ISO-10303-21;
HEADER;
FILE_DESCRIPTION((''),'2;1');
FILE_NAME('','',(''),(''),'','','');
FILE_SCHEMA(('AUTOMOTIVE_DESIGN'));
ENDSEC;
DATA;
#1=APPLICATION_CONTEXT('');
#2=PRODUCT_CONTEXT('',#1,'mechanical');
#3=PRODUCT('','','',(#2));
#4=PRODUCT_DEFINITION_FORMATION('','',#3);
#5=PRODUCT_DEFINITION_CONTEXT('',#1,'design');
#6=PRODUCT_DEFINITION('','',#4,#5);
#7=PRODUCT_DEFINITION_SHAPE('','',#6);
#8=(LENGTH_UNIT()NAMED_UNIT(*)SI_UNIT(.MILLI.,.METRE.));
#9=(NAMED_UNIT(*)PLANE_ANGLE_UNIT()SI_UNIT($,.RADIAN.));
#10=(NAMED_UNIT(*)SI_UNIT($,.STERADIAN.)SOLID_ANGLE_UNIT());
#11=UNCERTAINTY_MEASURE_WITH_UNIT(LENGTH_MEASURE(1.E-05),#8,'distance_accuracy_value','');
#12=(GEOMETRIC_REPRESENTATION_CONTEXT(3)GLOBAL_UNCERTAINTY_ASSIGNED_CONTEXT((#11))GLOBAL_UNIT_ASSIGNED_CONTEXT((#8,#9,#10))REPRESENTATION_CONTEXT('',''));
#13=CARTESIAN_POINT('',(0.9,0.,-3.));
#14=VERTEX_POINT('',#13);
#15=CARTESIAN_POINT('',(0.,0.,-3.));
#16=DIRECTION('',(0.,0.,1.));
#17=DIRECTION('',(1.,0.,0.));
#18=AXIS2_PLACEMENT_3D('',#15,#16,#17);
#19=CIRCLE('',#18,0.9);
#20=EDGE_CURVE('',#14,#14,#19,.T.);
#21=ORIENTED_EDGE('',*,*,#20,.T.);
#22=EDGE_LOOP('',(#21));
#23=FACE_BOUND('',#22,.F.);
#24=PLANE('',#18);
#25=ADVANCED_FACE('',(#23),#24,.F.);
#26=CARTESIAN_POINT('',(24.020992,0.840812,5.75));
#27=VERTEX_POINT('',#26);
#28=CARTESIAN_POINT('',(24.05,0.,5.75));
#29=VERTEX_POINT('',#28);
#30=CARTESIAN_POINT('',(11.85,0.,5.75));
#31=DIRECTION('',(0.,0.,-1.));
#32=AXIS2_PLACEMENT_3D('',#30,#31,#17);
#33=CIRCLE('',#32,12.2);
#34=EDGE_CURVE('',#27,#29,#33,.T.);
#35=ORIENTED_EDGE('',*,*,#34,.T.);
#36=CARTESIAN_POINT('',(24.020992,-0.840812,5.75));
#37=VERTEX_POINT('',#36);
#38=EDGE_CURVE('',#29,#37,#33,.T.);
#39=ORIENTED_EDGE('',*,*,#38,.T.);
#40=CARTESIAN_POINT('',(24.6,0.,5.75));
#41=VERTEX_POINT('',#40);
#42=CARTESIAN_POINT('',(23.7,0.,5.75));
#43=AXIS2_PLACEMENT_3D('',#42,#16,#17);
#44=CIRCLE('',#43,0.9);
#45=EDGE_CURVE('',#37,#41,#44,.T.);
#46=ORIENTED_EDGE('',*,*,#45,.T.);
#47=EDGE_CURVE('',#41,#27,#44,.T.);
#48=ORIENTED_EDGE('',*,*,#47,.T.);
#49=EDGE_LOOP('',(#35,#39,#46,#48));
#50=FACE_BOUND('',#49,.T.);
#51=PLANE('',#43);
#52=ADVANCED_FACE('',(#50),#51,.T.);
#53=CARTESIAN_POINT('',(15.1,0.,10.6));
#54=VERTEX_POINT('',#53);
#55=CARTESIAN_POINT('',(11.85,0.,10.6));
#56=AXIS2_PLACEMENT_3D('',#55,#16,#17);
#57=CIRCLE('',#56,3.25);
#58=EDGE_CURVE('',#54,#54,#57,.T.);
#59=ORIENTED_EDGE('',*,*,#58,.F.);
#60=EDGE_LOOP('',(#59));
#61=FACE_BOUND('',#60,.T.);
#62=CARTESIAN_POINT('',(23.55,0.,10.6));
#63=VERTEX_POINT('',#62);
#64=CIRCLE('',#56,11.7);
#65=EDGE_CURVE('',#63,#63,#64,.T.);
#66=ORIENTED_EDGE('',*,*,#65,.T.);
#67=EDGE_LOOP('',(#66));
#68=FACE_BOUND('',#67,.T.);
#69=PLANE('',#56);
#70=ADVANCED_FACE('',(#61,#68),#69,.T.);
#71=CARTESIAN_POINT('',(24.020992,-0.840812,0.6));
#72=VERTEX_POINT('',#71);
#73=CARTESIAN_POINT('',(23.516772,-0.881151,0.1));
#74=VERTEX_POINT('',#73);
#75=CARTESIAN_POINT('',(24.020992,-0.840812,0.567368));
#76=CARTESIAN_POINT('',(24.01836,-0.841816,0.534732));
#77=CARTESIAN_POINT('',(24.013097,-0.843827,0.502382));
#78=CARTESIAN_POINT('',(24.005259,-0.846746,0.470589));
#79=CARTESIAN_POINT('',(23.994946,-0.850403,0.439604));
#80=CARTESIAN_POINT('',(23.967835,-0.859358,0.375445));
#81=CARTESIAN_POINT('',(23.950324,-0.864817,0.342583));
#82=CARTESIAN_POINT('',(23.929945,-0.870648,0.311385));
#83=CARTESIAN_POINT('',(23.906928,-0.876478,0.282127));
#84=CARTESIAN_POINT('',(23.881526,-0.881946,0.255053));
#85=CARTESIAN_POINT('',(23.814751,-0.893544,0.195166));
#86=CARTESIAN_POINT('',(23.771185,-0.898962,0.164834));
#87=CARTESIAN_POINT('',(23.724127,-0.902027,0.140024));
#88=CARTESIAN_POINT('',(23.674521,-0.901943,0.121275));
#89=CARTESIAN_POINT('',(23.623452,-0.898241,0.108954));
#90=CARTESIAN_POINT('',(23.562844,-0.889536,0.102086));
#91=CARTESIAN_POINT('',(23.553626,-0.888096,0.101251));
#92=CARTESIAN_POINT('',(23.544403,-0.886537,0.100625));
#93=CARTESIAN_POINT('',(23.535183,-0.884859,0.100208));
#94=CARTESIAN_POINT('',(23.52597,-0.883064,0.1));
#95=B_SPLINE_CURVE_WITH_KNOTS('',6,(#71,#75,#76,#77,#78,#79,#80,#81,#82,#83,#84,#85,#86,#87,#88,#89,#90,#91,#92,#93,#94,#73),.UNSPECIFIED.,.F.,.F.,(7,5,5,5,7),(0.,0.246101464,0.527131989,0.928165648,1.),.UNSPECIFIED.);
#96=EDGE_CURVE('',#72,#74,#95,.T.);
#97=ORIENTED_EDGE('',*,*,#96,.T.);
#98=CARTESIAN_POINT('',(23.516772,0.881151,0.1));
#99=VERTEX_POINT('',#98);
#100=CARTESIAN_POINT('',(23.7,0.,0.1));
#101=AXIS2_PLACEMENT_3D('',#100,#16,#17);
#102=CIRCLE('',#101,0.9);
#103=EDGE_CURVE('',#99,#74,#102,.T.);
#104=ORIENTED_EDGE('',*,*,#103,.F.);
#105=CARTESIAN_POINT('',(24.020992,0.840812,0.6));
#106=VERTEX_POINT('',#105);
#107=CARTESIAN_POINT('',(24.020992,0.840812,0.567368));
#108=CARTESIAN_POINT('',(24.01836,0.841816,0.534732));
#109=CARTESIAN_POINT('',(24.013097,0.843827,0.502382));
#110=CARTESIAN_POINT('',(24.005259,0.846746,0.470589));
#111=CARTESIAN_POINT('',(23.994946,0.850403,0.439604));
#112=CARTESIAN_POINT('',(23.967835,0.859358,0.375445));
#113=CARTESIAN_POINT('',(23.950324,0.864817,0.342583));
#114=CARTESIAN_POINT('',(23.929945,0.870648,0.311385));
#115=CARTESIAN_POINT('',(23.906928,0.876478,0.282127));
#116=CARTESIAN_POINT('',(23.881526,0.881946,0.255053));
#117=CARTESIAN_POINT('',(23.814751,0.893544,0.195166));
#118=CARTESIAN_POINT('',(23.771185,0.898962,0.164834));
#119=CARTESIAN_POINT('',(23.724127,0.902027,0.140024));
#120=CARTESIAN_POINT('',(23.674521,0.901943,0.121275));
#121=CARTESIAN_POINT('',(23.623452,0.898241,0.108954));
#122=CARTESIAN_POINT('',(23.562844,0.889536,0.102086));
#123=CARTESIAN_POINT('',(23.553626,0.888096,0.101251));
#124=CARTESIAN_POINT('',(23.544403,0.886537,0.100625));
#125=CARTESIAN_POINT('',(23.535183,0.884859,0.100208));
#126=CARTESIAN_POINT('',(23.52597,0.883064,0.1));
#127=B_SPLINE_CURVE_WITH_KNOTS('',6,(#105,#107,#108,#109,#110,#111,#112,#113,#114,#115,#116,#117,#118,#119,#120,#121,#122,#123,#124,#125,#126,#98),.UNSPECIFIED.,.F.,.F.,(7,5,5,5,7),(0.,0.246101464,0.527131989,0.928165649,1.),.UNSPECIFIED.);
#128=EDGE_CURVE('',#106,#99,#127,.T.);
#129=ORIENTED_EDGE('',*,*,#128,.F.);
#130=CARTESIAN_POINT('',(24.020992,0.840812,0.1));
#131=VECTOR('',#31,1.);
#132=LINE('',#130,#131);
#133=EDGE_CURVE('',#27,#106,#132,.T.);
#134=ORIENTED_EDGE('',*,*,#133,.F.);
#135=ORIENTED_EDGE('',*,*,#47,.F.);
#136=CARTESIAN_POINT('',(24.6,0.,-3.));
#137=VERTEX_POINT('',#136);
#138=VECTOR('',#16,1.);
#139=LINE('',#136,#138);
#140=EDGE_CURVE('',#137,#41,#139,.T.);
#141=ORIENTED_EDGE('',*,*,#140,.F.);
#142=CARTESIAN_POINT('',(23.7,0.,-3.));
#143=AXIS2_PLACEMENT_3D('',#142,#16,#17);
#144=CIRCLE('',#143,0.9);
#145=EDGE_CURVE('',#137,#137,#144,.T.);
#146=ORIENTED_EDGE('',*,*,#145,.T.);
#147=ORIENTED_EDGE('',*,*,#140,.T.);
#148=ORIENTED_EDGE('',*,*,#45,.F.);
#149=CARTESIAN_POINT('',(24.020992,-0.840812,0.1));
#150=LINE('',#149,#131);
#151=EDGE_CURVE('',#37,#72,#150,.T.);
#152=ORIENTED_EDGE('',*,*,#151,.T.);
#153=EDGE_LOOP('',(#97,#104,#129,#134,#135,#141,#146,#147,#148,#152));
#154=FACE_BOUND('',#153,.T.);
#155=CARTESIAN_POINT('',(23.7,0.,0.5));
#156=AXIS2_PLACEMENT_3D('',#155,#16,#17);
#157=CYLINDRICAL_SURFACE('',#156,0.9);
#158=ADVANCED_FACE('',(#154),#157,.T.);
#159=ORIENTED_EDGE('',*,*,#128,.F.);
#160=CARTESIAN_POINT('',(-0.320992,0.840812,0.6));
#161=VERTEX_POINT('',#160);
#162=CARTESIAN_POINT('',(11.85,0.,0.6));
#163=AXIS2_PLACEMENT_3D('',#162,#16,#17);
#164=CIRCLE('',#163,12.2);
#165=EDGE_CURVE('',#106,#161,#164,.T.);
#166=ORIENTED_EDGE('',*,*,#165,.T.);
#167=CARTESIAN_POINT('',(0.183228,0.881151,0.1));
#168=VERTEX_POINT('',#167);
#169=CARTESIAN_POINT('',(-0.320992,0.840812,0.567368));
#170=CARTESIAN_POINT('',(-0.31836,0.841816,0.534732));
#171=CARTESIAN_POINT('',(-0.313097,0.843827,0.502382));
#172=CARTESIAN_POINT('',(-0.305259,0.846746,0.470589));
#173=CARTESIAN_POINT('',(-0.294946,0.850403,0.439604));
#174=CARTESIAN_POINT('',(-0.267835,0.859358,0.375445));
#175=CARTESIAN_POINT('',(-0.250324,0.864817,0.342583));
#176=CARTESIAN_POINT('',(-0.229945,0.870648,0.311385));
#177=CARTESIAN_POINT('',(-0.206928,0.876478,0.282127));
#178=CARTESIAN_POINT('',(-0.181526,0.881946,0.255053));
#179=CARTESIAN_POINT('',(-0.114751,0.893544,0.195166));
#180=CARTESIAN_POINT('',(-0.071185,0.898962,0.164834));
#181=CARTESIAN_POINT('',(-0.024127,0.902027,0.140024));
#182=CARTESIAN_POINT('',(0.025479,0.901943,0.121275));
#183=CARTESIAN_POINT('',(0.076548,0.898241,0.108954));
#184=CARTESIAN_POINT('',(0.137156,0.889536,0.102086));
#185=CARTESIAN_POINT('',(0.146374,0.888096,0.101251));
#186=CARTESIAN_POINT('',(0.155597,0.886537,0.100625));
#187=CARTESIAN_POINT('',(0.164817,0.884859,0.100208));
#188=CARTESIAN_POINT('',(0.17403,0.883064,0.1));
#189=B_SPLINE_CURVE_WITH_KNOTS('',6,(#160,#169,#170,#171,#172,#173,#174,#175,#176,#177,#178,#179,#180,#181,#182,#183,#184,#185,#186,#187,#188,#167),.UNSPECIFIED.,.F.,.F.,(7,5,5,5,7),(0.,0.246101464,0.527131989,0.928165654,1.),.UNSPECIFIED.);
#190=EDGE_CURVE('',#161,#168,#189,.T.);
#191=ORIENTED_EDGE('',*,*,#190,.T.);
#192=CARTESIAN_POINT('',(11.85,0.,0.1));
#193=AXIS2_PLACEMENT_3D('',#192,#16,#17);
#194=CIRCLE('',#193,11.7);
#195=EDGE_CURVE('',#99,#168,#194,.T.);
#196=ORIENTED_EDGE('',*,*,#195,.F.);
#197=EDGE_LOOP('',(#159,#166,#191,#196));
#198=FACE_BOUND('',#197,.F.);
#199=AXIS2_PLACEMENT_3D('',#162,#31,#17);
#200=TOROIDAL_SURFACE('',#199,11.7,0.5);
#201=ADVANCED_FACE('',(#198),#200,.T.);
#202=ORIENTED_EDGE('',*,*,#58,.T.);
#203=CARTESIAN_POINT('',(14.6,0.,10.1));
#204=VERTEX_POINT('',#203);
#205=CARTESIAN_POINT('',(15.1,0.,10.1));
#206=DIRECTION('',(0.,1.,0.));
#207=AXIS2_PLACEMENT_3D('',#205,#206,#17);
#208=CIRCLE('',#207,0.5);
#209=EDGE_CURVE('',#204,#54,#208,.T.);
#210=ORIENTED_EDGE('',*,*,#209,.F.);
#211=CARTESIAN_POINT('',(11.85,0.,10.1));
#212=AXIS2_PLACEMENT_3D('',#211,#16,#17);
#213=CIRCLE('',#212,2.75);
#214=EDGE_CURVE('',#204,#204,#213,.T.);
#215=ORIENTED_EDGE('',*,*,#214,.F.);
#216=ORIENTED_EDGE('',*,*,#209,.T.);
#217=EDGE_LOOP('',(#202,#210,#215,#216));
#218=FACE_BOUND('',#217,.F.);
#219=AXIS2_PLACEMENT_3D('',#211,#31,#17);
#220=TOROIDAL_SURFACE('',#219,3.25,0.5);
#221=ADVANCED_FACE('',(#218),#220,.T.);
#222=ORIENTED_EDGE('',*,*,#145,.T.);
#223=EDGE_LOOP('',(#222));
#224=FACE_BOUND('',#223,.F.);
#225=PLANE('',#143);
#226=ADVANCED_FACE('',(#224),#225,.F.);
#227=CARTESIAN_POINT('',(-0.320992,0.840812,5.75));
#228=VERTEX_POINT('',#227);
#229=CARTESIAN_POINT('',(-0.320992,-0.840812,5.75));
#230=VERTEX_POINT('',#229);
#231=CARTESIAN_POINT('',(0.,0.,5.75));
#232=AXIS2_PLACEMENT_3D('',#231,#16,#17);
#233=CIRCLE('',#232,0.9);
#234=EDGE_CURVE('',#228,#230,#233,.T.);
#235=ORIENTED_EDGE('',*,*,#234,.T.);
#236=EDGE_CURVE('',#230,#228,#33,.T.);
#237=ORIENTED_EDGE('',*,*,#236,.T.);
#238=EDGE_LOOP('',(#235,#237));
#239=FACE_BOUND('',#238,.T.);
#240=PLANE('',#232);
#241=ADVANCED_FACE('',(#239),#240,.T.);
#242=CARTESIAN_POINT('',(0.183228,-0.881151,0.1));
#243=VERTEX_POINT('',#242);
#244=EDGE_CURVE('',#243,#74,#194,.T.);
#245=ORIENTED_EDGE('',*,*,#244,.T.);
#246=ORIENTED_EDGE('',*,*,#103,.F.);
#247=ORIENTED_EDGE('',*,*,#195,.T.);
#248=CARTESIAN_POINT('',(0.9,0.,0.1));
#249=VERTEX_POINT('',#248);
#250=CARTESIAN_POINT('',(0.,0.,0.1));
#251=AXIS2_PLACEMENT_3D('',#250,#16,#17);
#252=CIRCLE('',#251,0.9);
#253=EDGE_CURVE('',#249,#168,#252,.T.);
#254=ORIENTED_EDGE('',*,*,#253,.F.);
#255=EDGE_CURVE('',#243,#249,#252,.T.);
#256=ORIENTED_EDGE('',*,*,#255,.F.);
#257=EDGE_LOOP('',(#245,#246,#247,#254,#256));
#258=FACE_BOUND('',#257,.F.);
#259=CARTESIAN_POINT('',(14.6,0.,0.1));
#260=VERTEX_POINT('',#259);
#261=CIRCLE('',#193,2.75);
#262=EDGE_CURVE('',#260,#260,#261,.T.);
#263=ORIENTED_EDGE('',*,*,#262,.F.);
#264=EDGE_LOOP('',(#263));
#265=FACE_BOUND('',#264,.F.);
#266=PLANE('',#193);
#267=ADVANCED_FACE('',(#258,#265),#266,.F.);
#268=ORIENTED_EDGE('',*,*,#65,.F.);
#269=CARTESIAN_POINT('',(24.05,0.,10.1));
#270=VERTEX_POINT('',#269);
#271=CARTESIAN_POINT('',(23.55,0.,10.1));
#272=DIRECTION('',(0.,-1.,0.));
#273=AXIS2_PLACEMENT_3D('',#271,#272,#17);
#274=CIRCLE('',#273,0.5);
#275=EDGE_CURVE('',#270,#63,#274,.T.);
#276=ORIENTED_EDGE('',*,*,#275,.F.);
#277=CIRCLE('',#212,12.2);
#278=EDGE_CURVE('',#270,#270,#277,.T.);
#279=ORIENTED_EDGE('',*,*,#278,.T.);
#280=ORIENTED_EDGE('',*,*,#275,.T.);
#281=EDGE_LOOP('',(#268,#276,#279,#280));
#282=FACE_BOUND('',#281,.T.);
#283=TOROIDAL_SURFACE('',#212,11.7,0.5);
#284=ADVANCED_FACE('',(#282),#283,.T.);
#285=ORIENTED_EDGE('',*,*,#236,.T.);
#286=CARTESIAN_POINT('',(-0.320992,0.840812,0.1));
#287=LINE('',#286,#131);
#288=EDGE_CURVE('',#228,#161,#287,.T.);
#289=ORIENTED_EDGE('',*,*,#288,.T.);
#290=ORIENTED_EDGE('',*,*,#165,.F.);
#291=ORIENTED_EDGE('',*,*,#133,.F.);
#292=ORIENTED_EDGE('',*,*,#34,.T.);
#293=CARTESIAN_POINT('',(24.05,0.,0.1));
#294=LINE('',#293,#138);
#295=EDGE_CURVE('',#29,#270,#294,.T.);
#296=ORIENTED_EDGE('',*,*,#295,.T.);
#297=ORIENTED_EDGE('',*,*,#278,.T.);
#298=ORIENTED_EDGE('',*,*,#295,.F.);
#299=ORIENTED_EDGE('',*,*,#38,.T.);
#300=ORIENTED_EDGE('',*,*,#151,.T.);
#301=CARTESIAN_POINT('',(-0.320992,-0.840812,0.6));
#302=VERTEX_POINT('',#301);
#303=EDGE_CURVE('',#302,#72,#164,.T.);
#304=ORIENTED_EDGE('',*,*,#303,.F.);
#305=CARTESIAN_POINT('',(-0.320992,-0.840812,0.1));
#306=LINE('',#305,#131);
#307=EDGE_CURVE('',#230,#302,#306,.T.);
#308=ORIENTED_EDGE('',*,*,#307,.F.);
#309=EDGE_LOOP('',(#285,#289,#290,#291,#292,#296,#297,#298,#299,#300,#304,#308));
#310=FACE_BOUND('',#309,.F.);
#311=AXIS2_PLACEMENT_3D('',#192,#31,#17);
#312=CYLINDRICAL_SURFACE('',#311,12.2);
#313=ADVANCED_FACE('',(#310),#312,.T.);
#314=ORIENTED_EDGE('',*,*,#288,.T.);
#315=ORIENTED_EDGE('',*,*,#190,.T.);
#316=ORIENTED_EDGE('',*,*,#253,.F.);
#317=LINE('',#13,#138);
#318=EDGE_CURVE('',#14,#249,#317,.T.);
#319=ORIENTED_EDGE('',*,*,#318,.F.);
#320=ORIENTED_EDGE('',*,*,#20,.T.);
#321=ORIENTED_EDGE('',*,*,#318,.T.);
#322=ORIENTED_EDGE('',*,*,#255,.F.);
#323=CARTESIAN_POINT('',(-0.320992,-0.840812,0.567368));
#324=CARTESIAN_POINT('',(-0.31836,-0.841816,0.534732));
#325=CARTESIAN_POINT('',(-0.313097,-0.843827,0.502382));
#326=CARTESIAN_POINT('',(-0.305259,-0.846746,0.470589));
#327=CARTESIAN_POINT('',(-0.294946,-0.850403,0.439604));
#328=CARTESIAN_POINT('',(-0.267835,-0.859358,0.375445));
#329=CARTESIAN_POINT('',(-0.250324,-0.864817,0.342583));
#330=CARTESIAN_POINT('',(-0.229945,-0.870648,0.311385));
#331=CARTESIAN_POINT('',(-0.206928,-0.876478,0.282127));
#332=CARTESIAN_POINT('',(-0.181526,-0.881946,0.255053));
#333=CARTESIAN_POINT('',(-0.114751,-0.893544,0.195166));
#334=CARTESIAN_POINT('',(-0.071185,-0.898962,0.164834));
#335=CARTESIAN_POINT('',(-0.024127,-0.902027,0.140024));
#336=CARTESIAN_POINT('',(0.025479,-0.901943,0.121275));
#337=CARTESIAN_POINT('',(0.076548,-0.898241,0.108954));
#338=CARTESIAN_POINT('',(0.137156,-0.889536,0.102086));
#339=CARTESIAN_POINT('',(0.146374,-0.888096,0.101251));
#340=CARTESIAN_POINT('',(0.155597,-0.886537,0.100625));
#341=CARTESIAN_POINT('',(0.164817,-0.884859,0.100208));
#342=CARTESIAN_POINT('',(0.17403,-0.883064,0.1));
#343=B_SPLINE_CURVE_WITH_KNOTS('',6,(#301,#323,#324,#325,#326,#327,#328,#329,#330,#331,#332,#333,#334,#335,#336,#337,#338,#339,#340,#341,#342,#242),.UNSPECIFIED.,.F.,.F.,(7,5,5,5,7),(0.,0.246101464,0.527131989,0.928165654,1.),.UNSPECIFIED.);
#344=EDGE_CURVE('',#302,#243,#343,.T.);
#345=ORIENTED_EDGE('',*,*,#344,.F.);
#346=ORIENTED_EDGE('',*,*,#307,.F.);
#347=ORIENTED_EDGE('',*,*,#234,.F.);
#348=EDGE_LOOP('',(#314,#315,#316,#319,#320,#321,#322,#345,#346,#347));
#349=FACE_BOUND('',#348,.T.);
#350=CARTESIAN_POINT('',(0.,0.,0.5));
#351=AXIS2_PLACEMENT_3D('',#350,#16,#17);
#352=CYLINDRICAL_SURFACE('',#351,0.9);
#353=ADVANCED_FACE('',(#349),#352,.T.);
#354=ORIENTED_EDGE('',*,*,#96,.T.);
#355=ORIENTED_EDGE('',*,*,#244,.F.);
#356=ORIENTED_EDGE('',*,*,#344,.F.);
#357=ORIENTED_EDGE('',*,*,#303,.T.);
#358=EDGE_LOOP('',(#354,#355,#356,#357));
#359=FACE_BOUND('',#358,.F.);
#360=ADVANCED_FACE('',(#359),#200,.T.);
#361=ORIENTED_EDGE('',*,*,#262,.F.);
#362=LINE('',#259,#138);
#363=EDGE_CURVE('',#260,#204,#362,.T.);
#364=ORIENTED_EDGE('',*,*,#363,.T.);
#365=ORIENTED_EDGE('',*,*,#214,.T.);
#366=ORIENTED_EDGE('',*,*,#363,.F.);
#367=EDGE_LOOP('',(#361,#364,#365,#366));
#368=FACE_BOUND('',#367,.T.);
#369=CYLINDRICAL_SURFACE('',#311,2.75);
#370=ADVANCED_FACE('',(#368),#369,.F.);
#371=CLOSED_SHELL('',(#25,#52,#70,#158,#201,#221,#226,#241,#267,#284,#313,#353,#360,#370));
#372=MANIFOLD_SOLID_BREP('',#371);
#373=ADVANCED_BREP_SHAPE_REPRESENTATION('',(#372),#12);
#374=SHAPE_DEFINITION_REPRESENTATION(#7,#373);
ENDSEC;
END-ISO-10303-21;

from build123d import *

# Parameters (mm, degrees)
SKETCH001_R       = 0.9
PAD001_DEPTH      = 5.25
PAD001_DEPTH_BACK = 3.5
SKETCH_R          = 12.2
SKETCH_R_2        = 2.75
PAD_DEPTH         = 10.5
FILLET_R          = 0.5


with BuildPart() as pad001:
    # Sketch001 → Pad001 (new body, two sides)
    with BuildSketch(Plane.XY.offset(0.5)) as pad001_sk:
        Circle(SKETCH001_R)
        with Locations((23.7, 0)):
            Circle(SKETCH001_R)
    extrude(amount=PAD001_DEPTH)
    extrude(pad001_sk.sketch, amount=-PAD001_DEPTH_BACK)


with BuildPart() as fillet_mp_cp:
    # Sketch → Pad (new body)
    with BuildSketch(Plane.XY.offset(0.1)):
        with Locations((11.85, 0)):
            Circle(SKETCH_R)
        with Locations((11.85, 0)):
            Circle(SKETCH_R_2, mode=Mode.SUBTRACT)
    extrude(amount=PAD_DEPTH)

    # Fillet
    fillet_edges = [fillet_mp_cp.edges().sort_by_distance(p)[0] for p in [
        (9.1, 0, 10.6),
        (-0.35, 0, 10.6),
        (-0.35, 0, 0.1),
    ]]
    fillet(fillet_edges, radius=FILLET_R)

    # Fillet_mp_cp: union Pad001
    add(pad001.part)


solid = fillet_mp_cp.part
